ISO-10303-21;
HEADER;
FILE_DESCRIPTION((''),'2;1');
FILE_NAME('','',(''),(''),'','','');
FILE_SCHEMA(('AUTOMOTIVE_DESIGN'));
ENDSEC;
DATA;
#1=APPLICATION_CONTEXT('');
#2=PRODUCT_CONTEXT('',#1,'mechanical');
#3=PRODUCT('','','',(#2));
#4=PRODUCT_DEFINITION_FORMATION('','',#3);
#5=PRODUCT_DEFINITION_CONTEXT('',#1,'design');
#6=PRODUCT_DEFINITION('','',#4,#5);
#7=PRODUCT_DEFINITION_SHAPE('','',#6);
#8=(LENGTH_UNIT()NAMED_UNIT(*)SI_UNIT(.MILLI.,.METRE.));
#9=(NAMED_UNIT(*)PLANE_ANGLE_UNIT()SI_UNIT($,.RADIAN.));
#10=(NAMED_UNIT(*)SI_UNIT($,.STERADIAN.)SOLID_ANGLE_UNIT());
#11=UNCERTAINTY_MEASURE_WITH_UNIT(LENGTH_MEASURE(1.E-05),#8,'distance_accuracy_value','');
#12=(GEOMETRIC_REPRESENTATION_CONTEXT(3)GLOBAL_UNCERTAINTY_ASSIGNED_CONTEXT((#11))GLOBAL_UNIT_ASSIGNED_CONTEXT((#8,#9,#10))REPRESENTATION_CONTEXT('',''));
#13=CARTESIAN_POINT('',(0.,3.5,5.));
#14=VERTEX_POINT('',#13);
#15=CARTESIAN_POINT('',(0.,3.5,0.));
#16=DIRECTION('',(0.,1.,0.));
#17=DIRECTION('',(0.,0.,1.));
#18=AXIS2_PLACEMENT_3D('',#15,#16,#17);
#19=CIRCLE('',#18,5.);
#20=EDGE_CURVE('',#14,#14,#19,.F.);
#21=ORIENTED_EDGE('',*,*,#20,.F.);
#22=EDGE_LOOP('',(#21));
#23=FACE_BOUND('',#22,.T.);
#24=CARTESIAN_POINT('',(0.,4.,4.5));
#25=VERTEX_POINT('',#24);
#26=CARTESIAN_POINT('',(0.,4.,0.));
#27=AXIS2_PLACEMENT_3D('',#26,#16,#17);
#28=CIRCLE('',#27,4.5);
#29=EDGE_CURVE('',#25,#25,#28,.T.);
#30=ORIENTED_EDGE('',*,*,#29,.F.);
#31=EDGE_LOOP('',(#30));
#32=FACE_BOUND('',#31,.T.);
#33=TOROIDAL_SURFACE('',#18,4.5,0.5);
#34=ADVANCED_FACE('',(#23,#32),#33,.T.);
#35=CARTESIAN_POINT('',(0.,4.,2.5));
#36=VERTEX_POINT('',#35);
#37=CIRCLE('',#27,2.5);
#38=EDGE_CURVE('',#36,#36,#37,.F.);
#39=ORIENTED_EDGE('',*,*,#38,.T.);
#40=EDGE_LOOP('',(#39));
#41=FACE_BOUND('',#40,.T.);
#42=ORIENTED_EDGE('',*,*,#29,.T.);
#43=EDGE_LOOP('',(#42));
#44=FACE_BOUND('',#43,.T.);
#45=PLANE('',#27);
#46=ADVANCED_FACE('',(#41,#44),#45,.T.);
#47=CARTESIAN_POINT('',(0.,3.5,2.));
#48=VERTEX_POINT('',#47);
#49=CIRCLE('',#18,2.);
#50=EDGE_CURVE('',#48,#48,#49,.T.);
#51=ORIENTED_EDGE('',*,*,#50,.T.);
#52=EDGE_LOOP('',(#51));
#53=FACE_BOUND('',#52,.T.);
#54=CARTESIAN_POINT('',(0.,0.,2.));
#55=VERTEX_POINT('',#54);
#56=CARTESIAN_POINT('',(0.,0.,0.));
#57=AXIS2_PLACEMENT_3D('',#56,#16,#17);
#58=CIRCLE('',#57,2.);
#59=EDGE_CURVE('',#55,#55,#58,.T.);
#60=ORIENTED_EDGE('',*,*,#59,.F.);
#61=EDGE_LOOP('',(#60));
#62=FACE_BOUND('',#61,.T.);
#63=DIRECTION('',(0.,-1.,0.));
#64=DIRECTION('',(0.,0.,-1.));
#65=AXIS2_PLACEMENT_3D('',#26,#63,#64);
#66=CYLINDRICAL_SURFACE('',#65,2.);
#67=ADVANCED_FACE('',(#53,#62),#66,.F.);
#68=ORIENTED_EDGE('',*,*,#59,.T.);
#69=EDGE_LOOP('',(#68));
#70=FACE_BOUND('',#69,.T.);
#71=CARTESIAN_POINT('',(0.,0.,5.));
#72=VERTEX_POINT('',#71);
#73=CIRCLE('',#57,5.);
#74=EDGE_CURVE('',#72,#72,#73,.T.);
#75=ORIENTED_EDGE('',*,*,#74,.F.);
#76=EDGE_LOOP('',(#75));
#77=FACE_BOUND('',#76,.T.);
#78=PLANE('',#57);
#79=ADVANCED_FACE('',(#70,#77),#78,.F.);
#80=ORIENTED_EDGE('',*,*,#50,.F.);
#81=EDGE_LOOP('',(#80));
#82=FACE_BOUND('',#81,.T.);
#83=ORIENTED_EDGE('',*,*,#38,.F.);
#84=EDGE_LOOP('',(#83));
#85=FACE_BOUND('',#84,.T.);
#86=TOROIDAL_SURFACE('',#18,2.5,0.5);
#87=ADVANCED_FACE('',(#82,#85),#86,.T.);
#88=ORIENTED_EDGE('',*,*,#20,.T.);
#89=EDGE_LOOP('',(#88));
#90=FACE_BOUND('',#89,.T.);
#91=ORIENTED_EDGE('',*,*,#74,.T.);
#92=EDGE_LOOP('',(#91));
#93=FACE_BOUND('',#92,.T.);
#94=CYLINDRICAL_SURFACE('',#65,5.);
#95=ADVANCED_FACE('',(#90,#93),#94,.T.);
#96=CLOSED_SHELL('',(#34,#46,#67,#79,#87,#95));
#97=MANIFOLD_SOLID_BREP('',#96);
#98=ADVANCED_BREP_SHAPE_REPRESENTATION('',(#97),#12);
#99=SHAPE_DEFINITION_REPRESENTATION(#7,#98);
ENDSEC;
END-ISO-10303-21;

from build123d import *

# Parameters (mm, degrees)
SKETCH1_R           = 5
SKETCH1_R_2         = 2
BOSS_EXTRUDE1_DEPTH = 4
FILLET2_R           = 0.5


with BuildPart() as part:
    # Sketch1 → Boss-Extrude1 (new body)
    with BuildSketch(Plane(origin=(0, 0, 0), x_dir=(1, 0, 0), z_dir=(0, 1, 0))):
        Circle(SKETCH1_R)
        Circle(SKETCH1_R_2, mode=Mode.SUBTRACT)
    extrude(amount=BOSS_EXTRUDE1_DEPTH)

    # Fillet2
    fillet2_edges = [part.edges().sort_by_distance(p)[0] for p in [
        (-5, 4, 0),
        (-2, 4, 0),
    ]]
    fillet(fillet2_edges, radius=FILLET2_R)


solid = part.part
